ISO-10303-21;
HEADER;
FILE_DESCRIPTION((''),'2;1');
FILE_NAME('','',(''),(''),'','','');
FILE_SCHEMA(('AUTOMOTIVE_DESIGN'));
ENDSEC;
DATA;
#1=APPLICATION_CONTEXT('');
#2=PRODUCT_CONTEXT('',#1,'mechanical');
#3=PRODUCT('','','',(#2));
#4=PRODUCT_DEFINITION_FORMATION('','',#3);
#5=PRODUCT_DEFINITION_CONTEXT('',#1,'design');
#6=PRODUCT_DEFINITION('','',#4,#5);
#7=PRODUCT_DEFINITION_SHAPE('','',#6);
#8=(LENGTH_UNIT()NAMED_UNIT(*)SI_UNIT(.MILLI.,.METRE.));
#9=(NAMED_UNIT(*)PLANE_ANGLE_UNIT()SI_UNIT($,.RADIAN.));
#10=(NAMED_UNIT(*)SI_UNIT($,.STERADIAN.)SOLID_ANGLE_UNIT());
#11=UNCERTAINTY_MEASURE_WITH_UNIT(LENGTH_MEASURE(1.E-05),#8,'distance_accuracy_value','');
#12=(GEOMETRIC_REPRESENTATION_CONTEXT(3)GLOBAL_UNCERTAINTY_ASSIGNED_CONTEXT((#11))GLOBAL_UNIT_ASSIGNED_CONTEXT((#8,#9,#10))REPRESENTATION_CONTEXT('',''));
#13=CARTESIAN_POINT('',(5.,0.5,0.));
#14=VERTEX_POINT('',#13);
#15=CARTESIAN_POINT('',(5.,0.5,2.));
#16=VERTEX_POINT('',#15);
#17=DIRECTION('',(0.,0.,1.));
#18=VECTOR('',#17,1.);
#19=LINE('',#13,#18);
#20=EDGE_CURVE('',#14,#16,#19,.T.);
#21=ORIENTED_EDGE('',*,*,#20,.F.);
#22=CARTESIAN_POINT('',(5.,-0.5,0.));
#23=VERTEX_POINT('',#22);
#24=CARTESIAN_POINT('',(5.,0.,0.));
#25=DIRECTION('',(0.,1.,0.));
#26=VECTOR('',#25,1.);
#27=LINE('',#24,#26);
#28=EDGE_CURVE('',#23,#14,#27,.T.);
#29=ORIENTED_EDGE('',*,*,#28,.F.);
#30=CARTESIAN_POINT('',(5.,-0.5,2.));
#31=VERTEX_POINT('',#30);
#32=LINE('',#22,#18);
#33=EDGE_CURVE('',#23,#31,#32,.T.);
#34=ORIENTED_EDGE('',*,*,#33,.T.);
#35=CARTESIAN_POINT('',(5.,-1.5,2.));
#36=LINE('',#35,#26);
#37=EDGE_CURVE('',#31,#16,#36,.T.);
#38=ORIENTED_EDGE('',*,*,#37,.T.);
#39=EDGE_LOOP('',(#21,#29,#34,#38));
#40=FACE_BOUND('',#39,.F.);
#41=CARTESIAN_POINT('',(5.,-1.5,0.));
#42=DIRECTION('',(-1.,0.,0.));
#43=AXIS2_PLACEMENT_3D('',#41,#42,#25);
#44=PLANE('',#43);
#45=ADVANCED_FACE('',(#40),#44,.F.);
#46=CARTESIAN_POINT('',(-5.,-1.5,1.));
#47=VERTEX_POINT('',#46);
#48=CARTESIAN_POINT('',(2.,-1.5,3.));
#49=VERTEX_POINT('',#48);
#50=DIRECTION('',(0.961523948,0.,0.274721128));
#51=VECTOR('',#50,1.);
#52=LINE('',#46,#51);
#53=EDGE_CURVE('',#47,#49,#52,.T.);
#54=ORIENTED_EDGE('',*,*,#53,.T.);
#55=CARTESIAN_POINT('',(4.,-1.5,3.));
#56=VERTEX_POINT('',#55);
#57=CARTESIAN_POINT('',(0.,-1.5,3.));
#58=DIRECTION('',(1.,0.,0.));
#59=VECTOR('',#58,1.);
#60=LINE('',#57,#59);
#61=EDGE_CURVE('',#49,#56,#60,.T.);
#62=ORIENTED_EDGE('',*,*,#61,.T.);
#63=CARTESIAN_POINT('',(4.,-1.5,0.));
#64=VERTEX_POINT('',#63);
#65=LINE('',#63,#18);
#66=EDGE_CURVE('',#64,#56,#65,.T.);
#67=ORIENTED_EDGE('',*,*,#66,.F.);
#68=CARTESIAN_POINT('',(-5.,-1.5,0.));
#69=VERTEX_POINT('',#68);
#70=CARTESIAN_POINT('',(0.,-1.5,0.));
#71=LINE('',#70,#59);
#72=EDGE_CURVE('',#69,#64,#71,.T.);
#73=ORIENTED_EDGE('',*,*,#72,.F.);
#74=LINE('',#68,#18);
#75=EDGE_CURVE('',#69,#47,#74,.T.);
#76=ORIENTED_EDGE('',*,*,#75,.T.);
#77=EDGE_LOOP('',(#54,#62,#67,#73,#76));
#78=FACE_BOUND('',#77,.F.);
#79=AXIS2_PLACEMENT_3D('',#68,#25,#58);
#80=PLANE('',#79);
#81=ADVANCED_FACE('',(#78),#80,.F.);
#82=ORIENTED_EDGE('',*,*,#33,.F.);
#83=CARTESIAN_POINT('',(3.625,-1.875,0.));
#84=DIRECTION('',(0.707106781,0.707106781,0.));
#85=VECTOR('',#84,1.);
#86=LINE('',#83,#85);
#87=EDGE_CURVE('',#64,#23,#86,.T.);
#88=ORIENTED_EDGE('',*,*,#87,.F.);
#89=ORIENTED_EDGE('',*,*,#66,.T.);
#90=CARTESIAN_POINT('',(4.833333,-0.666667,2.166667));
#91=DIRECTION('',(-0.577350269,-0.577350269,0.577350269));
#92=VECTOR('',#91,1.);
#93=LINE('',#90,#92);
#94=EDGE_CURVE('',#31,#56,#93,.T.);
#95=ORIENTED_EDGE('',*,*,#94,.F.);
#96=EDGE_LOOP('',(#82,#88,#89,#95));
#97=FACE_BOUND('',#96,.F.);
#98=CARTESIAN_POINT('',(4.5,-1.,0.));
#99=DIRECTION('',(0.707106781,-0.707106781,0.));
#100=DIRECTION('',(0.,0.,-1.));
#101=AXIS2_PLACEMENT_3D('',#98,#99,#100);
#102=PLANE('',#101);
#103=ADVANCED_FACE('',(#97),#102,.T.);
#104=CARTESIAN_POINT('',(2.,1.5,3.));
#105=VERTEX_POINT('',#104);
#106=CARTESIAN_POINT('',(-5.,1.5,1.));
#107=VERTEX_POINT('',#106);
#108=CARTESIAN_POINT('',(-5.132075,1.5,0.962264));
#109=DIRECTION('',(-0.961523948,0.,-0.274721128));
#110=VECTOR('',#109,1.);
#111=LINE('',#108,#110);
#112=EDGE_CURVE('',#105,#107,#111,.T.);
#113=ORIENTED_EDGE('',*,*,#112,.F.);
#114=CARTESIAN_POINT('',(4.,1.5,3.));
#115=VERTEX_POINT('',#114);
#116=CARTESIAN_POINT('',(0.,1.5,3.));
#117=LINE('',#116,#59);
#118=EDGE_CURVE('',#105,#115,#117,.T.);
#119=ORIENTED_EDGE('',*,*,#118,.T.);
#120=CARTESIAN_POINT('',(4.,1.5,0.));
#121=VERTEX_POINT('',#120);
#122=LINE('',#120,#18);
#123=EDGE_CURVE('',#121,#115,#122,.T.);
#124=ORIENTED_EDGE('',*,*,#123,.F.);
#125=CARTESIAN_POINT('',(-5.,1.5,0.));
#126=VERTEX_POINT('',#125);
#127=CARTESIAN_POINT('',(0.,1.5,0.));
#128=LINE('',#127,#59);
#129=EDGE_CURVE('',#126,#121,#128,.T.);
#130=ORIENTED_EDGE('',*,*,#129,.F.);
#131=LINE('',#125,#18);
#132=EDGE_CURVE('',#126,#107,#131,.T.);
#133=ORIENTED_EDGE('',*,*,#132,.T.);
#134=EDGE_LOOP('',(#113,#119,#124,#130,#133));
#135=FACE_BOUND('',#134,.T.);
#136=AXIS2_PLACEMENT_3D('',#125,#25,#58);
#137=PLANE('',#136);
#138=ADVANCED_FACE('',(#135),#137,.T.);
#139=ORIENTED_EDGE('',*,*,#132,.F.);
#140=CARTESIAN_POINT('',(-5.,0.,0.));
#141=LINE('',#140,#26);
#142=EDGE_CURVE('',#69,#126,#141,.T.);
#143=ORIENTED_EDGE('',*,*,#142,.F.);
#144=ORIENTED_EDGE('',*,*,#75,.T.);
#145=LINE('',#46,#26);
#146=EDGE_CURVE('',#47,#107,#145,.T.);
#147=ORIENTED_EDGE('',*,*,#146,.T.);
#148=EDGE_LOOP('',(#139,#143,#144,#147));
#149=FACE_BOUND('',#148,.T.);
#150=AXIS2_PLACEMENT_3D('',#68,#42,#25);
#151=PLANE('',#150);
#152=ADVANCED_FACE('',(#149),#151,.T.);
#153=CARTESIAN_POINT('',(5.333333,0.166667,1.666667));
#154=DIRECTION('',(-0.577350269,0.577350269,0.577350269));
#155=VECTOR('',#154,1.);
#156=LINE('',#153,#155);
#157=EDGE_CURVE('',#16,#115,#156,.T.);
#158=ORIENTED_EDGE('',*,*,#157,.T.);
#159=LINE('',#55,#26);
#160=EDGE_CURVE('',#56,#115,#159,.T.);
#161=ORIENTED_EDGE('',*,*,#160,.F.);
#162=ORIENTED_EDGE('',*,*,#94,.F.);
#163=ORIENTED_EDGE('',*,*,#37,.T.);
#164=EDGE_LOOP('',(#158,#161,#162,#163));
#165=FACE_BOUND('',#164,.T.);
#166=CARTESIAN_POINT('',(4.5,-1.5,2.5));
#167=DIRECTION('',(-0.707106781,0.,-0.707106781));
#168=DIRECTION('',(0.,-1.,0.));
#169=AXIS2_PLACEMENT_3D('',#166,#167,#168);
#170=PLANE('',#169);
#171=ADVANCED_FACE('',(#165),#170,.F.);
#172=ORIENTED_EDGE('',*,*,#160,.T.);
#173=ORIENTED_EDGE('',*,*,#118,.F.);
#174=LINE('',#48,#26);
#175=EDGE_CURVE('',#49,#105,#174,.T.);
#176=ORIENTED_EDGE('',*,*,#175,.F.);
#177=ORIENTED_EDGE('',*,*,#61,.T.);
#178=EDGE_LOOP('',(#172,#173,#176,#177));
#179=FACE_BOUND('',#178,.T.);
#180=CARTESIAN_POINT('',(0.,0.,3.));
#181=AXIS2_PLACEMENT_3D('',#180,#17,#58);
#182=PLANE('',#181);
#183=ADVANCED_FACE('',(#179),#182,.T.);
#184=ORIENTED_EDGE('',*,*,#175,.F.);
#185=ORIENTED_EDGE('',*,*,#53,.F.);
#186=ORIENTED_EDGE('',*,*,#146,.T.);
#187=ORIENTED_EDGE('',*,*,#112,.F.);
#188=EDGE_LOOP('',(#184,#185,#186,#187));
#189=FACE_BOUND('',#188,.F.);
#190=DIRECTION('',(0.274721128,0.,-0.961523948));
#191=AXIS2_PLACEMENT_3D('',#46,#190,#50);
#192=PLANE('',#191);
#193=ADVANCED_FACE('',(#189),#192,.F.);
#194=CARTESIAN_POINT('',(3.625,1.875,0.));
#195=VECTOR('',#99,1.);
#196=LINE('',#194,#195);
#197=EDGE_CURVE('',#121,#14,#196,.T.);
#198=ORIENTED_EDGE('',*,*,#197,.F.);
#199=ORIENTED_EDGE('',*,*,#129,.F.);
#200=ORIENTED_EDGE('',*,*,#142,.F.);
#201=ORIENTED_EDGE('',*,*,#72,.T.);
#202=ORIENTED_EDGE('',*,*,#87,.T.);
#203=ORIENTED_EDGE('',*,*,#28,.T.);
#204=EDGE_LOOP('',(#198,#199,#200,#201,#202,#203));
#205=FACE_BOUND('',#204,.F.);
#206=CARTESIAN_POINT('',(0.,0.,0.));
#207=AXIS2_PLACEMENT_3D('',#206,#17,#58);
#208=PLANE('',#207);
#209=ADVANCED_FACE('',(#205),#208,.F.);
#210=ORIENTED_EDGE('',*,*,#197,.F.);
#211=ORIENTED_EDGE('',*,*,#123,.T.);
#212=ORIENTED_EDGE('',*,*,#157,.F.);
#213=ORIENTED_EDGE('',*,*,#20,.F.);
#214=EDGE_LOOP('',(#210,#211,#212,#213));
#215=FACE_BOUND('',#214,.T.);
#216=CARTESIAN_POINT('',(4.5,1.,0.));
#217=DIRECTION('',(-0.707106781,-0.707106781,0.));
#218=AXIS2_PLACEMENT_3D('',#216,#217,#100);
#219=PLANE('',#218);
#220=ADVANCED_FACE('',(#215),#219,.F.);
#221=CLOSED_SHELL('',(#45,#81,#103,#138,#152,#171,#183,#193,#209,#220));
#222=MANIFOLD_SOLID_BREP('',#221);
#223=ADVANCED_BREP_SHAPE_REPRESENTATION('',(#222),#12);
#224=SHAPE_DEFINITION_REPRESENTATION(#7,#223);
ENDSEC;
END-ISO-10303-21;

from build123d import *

# Parameters (mm, degrees)
F0_W     = 10
F0_H     = 3
F1_DEPTH = 3
F3_DEPTH = 25
F4_SIZE  = 1


with BuildPart() as f1:
    # F0 (on Top) → F1 (new body)
    with BuildSketch(Plane.XY):
        Rectangle(F0_W, F0_H)
    extrude(amount=F1_DEPTH)

    # F2 (on face) → F3 (cut)
    with BuildSketch(Plane.XZ.offset(1.5)):
        Polygon((-5, 3), (-5, 1), (2, 3), align=None)
    extrude(amount=-F3_DEPTH, mode=Mode.SUBTRACT)

    # F4
    f4_edges = [f1.edges().sort_by_distance(p)[0] for p in [
        (5, 0, 3),
        (5, -1.5, 1.5),
        (5, 1.5, 1.5),
    ]]
    chamfer(f4_edges, length=F4_SIZE)


solid = f1.part
